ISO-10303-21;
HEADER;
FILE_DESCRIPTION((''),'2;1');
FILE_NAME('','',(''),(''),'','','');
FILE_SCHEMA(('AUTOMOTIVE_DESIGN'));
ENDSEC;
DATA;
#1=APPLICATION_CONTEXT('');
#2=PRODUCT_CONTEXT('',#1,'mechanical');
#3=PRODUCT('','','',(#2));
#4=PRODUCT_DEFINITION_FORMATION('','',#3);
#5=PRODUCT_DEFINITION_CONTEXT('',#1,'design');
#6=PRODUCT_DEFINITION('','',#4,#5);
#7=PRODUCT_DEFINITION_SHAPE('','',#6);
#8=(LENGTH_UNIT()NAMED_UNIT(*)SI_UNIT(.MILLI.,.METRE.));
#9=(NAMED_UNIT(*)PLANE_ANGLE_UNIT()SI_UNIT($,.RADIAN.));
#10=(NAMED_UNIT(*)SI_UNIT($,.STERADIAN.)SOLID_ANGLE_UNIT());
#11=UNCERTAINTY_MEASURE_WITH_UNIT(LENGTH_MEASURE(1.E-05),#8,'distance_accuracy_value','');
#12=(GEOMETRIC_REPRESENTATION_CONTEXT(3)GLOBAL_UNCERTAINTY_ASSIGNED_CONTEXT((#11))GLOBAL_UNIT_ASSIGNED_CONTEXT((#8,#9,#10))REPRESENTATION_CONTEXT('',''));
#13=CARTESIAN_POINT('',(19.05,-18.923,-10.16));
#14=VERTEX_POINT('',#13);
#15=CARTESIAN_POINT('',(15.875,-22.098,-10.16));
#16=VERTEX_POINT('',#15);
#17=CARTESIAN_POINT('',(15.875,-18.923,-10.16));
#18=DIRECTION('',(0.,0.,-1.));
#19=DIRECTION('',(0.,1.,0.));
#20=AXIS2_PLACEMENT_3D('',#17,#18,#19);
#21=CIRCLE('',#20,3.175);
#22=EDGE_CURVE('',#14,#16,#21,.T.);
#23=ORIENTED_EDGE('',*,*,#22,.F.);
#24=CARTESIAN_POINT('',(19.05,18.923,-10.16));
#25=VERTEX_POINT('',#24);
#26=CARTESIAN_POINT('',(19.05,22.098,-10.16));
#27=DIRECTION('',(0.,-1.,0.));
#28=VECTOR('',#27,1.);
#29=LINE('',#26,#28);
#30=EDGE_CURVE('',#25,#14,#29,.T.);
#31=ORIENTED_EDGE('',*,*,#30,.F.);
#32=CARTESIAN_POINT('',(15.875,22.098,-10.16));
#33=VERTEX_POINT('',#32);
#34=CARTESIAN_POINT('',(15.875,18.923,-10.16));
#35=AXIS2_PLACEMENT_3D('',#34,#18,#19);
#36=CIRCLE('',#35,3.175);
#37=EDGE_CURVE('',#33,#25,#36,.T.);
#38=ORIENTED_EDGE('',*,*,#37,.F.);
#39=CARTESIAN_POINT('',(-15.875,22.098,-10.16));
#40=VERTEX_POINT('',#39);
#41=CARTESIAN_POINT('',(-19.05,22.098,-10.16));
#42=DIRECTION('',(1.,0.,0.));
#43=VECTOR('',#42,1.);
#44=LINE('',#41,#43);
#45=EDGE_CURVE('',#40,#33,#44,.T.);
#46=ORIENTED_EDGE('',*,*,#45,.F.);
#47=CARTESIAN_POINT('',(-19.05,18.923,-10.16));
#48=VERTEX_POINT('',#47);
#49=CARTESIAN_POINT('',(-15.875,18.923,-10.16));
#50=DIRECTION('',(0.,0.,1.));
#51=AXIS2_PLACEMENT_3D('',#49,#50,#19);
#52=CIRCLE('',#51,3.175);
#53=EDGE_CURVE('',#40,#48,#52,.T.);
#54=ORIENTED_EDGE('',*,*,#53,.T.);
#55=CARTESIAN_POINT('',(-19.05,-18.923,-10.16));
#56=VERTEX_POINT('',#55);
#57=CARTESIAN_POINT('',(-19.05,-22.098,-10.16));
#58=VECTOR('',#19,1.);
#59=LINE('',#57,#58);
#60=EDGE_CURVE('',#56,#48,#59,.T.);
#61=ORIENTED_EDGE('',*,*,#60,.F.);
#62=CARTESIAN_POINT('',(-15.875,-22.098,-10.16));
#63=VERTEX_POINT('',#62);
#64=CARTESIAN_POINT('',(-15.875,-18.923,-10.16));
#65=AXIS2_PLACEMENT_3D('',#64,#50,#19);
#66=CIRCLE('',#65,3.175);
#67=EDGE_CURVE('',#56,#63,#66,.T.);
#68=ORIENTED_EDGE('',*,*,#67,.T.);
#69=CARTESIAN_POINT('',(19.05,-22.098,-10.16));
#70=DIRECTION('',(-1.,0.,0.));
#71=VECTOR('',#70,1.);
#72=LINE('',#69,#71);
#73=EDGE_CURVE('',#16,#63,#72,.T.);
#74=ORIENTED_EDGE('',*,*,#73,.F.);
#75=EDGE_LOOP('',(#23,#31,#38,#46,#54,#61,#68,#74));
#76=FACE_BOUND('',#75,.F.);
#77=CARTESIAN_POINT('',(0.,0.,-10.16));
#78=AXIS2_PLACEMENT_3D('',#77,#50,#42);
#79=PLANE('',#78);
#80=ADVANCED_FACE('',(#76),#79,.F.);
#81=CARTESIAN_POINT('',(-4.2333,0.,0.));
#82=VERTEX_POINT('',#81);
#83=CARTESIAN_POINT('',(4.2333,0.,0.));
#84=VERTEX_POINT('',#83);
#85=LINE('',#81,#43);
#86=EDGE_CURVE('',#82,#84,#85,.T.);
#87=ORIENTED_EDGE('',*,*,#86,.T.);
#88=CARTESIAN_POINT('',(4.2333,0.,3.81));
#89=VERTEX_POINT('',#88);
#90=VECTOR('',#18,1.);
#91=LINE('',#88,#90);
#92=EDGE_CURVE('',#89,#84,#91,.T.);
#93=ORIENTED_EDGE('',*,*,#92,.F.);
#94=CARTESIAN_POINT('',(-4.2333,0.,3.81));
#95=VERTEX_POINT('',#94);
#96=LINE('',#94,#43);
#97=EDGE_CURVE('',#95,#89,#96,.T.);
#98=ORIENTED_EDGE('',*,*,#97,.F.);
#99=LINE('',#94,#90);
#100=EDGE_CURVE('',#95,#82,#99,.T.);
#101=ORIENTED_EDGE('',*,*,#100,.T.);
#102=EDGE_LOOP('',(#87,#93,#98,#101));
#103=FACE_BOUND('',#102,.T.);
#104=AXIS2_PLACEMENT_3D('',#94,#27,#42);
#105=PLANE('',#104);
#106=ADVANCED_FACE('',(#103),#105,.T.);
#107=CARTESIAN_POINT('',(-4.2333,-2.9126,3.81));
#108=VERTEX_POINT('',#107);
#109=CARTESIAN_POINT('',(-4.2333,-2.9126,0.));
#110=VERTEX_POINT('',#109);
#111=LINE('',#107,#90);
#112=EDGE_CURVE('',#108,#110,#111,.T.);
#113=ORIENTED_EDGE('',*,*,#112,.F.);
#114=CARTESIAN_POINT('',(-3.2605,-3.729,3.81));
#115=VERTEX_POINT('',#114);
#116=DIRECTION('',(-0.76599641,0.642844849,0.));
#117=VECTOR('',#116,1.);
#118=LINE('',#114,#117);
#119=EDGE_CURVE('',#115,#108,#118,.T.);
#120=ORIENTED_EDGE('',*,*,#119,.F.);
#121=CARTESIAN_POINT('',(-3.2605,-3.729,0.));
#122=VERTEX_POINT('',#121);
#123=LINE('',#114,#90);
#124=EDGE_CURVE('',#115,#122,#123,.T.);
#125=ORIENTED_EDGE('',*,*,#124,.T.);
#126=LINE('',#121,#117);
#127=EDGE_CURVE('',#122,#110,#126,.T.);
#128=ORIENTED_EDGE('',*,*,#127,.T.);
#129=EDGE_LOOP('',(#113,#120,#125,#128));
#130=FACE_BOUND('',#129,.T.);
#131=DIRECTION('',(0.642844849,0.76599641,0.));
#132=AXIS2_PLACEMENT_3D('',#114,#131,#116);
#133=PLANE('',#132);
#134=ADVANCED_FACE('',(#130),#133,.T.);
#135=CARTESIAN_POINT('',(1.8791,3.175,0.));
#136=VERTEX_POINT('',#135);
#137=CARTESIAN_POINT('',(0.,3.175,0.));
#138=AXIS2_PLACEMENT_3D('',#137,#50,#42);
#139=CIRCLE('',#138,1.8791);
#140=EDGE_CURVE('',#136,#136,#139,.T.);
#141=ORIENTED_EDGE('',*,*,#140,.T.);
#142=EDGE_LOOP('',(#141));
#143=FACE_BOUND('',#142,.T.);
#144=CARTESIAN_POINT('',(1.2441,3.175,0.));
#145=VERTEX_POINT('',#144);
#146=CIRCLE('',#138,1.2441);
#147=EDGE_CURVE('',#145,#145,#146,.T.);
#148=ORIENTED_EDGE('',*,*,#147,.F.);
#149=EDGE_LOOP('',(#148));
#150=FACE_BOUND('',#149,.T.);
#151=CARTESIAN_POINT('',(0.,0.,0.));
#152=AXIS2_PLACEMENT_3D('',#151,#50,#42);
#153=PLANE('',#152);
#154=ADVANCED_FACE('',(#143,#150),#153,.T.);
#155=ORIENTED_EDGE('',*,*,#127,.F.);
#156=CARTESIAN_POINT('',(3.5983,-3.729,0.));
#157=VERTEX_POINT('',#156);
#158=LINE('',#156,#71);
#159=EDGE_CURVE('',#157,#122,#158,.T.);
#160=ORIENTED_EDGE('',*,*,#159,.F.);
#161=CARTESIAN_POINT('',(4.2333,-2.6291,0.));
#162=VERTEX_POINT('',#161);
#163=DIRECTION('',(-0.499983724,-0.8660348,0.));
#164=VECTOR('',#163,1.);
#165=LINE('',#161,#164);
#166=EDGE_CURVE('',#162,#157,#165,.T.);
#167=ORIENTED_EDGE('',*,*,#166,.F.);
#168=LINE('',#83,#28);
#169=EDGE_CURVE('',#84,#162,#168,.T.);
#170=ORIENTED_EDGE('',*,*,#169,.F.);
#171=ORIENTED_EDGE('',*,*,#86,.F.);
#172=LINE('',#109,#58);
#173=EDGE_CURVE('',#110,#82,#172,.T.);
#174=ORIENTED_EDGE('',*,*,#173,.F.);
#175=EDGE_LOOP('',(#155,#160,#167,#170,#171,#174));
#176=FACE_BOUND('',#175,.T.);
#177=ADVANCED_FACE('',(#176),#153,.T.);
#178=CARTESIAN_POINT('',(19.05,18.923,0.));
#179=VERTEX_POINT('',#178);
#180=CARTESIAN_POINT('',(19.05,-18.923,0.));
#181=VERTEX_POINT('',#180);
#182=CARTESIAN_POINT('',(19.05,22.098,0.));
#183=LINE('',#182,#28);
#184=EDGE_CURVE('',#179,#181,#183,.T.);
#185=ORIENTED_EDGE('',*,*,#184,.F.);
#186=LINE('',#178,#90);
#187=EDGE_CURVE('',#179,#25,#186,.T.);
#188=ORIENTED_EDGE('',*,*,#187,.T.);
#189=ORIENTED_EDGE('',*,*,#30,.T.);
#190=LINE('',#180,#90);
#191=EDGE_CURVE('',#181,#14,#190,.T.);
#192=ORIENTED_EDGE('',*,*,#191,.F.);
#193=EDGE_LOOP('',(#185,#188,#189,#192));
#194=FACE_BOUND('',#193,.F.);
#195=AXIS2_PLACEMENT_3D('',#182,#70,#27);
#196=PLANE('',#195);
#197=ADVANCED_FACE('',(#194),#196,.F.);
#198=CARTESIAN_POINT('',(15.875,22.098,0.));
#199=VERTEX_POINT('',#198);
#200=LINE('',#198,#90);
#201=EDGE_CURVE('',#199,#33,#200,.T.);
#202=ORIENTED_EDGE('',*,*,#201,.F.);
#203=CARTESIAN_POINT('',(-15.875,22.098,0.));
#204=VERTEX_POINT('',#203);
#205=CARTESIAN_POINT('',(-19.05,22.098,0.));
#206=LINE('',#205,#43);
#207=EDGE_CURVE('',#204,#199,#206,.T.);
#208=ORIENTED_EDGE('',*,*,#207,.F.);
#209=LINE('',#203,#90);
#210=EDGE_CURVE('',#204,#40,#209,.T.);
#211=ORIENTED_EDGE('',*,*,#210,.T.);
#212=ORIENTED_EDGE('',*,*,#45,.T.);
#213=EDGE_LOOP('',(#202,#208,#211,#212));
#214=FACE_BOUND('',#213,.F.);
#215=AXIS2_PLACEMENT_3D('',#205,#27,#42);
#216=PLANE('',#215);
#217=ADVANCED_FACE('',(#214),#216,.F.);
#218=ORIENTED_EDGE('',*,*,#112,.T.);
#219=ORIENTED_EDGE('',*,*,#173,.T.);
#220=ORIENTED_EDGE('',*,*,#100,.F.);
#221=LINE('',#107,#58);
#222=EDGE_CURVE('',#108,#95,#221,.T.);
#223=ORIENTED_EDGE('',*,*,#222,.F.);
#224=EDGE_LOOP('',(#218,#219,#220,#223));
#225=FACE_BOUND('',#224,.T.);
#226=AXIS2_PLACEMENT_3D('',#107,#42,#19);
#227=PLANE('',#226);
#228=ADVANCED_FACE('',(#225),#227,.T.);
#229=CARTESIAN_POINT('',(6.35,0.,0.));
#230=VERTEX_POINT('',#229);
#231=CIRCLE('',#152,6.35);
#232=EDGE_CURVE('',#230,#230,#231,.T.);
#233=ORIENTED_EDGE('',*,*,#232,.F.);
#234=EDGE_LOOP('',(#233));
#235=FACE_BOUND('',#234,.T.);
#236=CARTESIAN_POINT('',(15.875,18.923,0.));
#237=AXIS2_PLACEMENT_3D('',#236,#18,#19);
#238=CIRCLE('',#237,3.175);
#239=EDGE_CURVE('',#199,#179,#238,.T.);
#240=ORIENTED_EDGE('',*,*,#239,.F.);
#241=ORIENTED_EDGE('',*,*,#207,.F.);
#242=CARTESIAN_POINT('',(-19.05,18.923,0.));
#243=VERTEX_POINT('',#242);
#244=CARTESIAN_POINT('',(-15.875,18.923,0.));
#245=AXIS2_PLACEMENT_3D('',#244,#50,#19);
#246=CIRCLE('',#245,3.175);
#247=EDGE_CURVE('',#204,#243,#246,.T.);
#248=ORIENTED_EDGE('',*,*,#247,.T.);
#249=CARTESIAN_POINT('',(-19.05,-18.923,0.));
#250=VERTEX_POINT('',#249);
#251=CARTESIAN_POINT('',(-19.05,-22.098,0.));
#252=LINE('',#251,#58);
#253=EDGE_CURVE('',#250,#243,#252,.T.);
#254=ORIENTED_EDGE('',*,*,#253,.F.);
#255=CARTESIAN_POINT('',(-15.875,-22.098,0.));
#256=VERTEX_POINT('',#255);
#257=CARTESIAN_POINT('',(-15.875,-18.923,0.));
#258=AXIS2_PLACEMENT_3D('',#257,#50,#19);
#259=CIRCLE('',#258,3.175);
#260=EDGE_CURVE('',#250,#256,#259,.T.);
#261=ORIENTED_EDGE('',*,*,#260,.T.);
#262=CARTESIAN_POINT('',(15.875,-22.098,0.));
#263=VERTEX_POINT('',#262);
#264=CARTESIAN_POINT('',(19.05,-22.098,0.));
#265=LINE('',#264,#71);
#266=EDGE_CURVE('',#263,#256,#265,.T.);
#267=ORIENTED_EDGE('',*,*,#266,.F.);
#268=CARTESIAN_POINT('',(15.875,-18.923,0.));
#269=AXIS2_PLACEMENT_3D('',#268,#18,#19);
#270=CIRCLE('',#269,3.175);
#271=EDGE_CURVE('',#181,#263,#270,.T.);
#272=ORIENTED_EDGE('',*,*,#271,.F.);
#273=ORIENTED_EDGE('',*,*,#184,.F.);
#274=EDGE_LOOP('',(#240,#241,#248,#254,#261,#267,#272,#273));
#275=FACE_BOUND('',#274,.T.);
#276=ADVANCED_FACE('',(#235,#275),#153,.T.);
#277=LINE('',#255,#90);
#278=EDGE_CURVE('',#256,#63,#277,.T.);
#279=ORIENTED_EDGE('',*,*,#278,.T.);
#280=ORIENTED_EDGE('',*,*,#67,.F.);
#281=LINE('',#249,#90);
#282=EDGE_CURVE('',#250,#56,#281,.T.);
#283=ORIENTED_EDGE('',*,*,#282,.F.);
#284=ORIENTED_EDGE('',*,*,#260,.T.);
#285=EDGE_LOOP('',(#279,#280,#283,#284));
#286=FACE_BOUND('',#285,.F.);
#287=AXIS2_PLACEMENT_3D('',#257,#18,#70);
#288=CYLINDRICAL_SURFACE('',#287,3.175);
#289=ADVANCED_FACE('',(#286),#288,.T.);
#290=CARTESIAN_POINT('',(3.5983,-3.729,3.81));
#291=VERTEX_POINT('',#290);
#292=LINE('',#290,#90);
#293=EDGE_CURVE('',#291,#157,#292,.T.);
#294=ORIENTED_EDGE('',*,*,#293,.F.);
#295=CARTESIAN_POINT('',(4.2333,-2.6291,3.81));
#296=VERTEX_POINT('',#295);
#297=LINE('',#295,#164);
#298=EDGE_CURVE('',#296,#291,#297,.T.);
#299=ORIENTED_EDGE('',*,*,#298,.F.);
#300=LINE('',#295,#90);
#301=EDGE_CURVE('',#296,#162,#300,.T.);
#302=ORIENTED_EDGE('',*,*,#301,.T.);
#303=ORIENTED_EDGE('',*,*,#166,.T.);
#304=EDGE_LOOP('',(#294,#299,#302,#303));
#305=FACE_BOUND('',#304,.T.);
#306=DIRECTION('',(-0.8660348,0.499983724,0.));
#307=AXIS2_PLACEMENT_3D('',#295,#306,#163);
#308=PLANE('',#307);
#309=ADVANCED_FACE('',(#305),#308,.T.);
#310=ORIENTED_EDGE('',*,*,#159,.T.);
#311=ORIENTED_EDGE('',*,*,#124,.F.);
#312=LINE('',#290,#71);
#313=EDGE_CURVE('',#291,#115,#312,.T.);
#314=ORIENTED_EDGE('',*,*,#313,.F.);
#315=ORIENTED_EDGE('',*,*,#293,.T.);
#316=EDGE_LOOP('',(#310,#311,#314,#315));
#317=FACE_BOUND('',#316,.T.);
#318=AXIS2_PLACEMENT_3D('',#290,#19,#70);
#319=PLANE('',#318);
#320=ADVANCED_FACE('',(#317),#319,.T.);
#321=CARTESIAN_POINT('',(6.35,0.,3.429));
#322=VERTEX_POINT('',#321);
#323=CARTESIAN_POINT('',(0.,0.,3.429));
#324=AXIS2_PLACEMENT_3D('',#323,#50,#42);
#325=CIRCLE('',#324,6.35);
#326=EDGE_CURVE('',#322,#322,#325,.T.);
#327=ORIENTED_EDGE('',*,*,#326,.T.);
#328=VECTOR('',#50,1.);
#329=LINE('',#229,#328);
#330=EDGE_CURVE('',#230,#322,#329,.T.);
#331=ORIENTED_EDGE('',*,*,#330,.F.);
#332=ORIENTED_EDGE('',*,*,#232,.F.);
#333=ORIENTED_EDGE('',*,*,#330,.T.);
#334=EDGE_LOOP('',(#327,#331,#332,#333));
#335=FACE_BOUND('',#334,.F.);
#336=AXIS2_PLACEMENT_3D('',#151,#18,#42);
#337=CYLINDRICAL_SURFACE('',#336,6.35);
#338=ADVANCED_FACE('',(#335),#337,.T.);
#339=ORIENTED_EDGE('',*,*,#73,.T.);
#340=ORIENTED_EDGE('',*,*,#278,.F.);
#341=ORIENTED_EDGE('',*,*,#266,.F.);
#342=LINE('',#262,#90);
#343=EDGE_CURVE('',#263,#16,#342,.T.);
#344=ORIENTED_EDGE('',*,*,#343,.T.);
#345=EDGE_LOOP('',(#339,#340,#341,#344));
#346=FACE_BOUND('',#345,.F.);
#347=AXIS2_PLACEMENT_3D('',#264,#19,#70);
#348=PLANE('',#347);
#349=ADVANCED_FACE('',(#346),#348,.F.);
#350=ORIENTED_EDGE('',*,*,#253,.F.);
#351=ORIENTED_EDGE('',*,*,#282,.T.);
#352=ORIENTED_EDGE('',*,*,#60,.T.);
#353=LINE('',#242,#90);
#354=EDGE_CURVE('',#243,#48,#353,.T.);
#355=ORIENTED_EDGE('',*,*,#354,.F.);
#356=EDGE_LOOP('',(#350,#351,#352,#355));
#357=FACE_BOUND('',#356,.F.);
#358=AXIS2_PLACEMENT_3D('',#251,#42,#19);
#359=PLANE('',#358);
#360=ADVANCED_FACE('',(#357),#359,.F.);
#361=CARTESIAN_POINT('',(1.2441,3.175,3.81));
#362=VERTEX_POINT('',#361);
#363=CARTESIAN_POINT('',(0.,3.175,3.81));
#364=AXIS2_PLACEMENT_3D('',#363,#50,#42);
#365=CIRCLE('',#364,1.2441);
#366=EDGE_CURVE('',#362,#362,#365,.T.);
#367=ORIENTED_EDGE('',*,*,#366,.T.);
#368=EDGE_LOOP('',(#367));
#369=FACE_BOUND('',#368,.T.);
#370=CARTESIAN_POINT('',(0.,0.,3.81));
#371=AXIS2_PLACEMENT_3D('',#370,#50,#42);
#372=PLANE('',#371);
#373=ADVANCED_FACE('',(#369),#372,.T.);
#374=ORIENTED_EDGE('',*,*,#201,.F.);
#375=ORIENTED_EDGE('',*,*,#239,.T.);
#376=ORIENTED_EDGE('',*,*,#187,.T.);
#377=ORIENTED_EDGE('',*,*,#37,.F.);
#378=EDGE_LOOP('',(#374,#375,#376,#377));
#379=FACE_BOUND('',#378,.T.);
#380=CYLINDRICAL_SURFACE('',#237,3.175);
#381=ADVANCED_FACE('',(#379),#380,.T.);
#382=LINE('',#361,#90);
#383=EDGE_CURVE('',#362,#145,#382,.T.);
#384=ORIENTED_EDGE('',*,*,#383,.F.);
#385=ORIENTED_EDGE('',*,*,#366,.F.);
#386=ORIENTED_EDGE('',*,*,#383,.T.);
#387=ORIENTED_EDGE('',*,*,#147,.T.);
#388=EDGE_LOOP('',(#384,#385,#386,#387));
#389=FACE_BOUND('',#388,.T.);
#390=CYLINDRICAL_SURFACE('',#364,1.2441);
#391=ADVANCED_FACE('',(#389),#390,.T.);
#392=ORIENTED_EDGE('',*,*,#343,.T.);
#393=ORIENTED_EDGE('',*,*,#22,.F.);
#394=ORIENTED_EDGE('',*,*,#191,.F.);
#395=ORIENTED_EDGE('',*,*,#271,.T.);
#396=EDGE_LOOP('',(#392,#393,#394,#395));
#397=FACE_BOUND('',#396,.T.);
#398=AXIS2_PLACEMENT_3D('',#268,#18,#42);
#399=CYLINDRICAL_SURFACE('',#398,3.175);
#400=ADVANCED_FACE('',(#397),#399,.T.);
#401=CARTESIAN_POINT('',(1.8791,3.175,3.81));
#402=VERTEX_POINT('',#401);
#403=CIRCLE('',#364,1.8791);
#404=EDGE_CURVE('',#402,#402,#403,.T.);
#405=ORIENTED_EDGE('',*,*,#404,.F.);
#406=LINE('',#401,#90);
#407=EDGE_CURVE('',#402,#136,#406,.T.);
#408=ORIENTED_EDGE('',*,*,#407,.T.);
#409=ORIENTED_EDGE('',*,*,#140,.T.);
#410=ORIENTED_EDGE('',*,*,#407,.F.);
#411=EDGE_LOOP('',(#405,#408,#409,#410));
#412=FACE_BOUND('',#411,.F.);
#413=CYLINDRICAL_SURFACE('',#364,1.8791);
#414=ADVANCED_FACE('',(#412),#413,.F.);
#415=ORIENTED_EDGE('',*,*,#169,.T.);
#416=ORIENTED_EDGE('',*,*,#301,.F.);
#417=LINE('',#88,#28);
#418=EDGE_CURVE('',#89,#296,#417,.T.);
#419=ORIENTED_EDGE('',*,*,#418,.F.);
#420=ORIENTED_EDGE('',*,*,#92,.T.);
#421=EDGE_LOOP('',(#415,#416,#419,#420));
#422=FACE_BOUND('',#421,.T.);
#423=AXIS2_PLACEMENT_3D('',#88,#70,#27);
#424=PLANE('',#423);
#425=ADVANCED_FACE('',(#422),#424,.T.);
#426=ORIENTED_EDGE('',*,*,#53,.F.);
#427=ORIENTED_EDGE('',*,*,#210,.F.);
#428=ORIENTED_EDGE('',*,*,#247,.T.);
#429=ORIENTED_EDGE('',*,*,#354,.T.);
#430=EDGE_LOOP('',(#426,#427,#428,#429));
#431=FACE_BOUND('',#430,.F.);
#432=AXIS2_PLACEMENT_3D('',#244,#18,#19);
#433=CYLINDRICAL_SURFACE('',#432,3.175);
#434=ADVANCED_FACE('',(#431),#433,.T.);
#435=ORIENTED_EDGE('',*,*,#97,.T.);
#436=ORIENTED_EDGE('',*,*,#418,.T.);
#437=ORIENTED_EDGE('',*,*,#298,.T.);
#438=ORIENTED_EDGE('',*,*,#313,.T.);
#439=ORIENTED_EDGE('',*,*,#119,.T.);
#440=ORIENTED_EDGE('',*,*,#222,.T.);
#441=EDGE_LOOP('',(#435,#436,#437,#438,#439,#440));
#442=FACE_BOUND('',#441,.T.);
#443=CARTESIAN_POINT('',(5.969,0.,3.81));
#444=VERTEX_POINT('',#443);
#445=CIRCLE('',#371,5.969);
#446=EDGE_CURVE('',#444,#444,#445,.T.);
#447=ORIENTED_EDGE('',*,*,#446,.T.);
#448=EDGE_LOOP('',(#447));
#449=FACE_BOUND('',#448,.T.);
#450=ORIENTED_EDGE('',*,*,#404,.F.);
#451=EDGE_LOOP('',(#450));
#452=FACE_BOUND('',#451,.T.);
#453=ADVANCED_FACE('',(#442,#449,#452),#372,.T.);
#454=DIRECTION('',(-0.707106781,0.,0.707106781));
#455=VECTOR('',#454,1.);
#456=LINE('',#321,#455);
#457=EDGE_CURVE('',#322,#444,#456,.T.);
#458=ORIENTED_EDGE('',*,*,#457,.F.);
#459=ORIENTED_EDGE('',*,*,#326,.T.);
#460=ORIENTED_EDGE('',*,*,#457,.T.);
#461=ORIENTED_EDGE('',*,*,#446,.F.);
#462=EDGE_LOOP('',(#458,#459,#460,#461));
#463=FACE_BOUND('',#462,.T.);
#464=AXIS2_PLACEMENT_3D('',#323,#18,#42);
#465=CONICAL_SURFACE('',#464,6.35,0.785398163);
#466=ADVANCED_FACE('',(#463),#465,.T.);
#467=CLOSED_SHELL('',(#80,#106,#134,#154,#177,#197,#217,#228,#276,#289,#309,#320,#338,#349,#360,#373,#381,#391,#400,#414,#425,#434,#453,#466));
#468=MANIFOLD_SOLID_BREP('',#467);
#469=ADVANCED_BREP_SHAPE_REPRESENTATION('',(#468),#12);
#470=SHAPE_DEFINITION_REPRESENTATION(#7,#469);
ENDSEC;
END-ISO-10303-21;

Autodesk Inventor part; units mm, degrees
ref_plane "YZ Plane" through (0, 0, 0) normal (1, 0, 0) x (0, 1, 0)
ref_plane "XZ Plane" through (0, 0, 0) normal (0, 1, 0) x (-1, 0, 0)
ref_plane "XY Plane" through (0, 0, 0) normal (0, 0, 1) x (1, 0, 0)
sketch "FishmanBattery" plane through (0, 0, 0) normal (0, 0, 1) x (1, 0, 0)
  line L0 (-19.05, 22.098) -> (19.05, 22.098)
  line L1 (19.05, 22.098) -> (19.05, -22.098)
  line L2 (19.05, -22.098) -> (-19.05, -22.098)
  line L3 (-19.05, -22.098) -> (-19.05, 22.098)
  circle A0 centre (0, 0) radius 6.35
  line L4 (0, 22.098) -> (0, -22.098) construction
  line L5 (-19.05, 0) -> (19.05, 0) construction
  point P0 (0, 0)
  point P1 (0, 0)
  dimension "d13" = 38.1
  dimension "d14" = 44.196
  dimension "d26" = 12.7
extrude "FishmanBatteryFeature" add sketch "FishmanBattery" against normal blind 10.16 contours L0 L1 L2 L3 | A0
extrude "FishmanBatteryConnectorFeature" add sketch "FishmanBattery" along normal blind 3.81 contours A0
chamfer "FishmanBatteryChamferFeature" distance 0.381 angle 45 1 edges at (-6.35, 0, 3.81)
fillet "FishmanBatteryFilletsFeature" radius 3.175 4 edges at (19.05, 22.098, -5.08) (19.05, -22.098, -5.08) (-19.05, -22.098, -5.08) (-19.05, 22.098, -5.08)
sketch "FishmanConnector" plane through (0, 0, 3.81) normal (0, 0, 1) x (1, 0, 0)
  circle A0 centre (0, 3.175) radius 1.8791
  circle A1 centre (0, 3.175) radius 1.2441
  line L0 (-4.2333, 0) -> (4.2333, 0)
  line L1 (4.2333, 0) -> (4.2333, -2.6291)
  line L2 (4.2333, -2.6291) -> (3.5983, -3.729)
  line L3 (3.5983, -3.729) -> (-3.2605, -3.729)
  line L4 (-3.2605, -3.729) -> (-4.2333, -2.9126)
  line L5 (-4.2333, -2.9126) -> (-4.2333, 0)
  line L6 (0, -30.9372) -> (0, 30.9372) construction
  point P0 (0, 0)
  point P1 (0, 0)
  dimension "d133" = 3.729
  dimension "d134" = 8.4667
  dimension "d135" = 3.7582
  dimension "d136" = 0.635
  dimension "d137" = 150
  dimension "d138" = 140
  dimension "d139" = 1.27
  dimension "d141" = 3.175
extrude "FishmanConnectorHolesFeature" cut sketch "FishmanConnector" against normal blind 3.81
properties part number "fishman-battery"
